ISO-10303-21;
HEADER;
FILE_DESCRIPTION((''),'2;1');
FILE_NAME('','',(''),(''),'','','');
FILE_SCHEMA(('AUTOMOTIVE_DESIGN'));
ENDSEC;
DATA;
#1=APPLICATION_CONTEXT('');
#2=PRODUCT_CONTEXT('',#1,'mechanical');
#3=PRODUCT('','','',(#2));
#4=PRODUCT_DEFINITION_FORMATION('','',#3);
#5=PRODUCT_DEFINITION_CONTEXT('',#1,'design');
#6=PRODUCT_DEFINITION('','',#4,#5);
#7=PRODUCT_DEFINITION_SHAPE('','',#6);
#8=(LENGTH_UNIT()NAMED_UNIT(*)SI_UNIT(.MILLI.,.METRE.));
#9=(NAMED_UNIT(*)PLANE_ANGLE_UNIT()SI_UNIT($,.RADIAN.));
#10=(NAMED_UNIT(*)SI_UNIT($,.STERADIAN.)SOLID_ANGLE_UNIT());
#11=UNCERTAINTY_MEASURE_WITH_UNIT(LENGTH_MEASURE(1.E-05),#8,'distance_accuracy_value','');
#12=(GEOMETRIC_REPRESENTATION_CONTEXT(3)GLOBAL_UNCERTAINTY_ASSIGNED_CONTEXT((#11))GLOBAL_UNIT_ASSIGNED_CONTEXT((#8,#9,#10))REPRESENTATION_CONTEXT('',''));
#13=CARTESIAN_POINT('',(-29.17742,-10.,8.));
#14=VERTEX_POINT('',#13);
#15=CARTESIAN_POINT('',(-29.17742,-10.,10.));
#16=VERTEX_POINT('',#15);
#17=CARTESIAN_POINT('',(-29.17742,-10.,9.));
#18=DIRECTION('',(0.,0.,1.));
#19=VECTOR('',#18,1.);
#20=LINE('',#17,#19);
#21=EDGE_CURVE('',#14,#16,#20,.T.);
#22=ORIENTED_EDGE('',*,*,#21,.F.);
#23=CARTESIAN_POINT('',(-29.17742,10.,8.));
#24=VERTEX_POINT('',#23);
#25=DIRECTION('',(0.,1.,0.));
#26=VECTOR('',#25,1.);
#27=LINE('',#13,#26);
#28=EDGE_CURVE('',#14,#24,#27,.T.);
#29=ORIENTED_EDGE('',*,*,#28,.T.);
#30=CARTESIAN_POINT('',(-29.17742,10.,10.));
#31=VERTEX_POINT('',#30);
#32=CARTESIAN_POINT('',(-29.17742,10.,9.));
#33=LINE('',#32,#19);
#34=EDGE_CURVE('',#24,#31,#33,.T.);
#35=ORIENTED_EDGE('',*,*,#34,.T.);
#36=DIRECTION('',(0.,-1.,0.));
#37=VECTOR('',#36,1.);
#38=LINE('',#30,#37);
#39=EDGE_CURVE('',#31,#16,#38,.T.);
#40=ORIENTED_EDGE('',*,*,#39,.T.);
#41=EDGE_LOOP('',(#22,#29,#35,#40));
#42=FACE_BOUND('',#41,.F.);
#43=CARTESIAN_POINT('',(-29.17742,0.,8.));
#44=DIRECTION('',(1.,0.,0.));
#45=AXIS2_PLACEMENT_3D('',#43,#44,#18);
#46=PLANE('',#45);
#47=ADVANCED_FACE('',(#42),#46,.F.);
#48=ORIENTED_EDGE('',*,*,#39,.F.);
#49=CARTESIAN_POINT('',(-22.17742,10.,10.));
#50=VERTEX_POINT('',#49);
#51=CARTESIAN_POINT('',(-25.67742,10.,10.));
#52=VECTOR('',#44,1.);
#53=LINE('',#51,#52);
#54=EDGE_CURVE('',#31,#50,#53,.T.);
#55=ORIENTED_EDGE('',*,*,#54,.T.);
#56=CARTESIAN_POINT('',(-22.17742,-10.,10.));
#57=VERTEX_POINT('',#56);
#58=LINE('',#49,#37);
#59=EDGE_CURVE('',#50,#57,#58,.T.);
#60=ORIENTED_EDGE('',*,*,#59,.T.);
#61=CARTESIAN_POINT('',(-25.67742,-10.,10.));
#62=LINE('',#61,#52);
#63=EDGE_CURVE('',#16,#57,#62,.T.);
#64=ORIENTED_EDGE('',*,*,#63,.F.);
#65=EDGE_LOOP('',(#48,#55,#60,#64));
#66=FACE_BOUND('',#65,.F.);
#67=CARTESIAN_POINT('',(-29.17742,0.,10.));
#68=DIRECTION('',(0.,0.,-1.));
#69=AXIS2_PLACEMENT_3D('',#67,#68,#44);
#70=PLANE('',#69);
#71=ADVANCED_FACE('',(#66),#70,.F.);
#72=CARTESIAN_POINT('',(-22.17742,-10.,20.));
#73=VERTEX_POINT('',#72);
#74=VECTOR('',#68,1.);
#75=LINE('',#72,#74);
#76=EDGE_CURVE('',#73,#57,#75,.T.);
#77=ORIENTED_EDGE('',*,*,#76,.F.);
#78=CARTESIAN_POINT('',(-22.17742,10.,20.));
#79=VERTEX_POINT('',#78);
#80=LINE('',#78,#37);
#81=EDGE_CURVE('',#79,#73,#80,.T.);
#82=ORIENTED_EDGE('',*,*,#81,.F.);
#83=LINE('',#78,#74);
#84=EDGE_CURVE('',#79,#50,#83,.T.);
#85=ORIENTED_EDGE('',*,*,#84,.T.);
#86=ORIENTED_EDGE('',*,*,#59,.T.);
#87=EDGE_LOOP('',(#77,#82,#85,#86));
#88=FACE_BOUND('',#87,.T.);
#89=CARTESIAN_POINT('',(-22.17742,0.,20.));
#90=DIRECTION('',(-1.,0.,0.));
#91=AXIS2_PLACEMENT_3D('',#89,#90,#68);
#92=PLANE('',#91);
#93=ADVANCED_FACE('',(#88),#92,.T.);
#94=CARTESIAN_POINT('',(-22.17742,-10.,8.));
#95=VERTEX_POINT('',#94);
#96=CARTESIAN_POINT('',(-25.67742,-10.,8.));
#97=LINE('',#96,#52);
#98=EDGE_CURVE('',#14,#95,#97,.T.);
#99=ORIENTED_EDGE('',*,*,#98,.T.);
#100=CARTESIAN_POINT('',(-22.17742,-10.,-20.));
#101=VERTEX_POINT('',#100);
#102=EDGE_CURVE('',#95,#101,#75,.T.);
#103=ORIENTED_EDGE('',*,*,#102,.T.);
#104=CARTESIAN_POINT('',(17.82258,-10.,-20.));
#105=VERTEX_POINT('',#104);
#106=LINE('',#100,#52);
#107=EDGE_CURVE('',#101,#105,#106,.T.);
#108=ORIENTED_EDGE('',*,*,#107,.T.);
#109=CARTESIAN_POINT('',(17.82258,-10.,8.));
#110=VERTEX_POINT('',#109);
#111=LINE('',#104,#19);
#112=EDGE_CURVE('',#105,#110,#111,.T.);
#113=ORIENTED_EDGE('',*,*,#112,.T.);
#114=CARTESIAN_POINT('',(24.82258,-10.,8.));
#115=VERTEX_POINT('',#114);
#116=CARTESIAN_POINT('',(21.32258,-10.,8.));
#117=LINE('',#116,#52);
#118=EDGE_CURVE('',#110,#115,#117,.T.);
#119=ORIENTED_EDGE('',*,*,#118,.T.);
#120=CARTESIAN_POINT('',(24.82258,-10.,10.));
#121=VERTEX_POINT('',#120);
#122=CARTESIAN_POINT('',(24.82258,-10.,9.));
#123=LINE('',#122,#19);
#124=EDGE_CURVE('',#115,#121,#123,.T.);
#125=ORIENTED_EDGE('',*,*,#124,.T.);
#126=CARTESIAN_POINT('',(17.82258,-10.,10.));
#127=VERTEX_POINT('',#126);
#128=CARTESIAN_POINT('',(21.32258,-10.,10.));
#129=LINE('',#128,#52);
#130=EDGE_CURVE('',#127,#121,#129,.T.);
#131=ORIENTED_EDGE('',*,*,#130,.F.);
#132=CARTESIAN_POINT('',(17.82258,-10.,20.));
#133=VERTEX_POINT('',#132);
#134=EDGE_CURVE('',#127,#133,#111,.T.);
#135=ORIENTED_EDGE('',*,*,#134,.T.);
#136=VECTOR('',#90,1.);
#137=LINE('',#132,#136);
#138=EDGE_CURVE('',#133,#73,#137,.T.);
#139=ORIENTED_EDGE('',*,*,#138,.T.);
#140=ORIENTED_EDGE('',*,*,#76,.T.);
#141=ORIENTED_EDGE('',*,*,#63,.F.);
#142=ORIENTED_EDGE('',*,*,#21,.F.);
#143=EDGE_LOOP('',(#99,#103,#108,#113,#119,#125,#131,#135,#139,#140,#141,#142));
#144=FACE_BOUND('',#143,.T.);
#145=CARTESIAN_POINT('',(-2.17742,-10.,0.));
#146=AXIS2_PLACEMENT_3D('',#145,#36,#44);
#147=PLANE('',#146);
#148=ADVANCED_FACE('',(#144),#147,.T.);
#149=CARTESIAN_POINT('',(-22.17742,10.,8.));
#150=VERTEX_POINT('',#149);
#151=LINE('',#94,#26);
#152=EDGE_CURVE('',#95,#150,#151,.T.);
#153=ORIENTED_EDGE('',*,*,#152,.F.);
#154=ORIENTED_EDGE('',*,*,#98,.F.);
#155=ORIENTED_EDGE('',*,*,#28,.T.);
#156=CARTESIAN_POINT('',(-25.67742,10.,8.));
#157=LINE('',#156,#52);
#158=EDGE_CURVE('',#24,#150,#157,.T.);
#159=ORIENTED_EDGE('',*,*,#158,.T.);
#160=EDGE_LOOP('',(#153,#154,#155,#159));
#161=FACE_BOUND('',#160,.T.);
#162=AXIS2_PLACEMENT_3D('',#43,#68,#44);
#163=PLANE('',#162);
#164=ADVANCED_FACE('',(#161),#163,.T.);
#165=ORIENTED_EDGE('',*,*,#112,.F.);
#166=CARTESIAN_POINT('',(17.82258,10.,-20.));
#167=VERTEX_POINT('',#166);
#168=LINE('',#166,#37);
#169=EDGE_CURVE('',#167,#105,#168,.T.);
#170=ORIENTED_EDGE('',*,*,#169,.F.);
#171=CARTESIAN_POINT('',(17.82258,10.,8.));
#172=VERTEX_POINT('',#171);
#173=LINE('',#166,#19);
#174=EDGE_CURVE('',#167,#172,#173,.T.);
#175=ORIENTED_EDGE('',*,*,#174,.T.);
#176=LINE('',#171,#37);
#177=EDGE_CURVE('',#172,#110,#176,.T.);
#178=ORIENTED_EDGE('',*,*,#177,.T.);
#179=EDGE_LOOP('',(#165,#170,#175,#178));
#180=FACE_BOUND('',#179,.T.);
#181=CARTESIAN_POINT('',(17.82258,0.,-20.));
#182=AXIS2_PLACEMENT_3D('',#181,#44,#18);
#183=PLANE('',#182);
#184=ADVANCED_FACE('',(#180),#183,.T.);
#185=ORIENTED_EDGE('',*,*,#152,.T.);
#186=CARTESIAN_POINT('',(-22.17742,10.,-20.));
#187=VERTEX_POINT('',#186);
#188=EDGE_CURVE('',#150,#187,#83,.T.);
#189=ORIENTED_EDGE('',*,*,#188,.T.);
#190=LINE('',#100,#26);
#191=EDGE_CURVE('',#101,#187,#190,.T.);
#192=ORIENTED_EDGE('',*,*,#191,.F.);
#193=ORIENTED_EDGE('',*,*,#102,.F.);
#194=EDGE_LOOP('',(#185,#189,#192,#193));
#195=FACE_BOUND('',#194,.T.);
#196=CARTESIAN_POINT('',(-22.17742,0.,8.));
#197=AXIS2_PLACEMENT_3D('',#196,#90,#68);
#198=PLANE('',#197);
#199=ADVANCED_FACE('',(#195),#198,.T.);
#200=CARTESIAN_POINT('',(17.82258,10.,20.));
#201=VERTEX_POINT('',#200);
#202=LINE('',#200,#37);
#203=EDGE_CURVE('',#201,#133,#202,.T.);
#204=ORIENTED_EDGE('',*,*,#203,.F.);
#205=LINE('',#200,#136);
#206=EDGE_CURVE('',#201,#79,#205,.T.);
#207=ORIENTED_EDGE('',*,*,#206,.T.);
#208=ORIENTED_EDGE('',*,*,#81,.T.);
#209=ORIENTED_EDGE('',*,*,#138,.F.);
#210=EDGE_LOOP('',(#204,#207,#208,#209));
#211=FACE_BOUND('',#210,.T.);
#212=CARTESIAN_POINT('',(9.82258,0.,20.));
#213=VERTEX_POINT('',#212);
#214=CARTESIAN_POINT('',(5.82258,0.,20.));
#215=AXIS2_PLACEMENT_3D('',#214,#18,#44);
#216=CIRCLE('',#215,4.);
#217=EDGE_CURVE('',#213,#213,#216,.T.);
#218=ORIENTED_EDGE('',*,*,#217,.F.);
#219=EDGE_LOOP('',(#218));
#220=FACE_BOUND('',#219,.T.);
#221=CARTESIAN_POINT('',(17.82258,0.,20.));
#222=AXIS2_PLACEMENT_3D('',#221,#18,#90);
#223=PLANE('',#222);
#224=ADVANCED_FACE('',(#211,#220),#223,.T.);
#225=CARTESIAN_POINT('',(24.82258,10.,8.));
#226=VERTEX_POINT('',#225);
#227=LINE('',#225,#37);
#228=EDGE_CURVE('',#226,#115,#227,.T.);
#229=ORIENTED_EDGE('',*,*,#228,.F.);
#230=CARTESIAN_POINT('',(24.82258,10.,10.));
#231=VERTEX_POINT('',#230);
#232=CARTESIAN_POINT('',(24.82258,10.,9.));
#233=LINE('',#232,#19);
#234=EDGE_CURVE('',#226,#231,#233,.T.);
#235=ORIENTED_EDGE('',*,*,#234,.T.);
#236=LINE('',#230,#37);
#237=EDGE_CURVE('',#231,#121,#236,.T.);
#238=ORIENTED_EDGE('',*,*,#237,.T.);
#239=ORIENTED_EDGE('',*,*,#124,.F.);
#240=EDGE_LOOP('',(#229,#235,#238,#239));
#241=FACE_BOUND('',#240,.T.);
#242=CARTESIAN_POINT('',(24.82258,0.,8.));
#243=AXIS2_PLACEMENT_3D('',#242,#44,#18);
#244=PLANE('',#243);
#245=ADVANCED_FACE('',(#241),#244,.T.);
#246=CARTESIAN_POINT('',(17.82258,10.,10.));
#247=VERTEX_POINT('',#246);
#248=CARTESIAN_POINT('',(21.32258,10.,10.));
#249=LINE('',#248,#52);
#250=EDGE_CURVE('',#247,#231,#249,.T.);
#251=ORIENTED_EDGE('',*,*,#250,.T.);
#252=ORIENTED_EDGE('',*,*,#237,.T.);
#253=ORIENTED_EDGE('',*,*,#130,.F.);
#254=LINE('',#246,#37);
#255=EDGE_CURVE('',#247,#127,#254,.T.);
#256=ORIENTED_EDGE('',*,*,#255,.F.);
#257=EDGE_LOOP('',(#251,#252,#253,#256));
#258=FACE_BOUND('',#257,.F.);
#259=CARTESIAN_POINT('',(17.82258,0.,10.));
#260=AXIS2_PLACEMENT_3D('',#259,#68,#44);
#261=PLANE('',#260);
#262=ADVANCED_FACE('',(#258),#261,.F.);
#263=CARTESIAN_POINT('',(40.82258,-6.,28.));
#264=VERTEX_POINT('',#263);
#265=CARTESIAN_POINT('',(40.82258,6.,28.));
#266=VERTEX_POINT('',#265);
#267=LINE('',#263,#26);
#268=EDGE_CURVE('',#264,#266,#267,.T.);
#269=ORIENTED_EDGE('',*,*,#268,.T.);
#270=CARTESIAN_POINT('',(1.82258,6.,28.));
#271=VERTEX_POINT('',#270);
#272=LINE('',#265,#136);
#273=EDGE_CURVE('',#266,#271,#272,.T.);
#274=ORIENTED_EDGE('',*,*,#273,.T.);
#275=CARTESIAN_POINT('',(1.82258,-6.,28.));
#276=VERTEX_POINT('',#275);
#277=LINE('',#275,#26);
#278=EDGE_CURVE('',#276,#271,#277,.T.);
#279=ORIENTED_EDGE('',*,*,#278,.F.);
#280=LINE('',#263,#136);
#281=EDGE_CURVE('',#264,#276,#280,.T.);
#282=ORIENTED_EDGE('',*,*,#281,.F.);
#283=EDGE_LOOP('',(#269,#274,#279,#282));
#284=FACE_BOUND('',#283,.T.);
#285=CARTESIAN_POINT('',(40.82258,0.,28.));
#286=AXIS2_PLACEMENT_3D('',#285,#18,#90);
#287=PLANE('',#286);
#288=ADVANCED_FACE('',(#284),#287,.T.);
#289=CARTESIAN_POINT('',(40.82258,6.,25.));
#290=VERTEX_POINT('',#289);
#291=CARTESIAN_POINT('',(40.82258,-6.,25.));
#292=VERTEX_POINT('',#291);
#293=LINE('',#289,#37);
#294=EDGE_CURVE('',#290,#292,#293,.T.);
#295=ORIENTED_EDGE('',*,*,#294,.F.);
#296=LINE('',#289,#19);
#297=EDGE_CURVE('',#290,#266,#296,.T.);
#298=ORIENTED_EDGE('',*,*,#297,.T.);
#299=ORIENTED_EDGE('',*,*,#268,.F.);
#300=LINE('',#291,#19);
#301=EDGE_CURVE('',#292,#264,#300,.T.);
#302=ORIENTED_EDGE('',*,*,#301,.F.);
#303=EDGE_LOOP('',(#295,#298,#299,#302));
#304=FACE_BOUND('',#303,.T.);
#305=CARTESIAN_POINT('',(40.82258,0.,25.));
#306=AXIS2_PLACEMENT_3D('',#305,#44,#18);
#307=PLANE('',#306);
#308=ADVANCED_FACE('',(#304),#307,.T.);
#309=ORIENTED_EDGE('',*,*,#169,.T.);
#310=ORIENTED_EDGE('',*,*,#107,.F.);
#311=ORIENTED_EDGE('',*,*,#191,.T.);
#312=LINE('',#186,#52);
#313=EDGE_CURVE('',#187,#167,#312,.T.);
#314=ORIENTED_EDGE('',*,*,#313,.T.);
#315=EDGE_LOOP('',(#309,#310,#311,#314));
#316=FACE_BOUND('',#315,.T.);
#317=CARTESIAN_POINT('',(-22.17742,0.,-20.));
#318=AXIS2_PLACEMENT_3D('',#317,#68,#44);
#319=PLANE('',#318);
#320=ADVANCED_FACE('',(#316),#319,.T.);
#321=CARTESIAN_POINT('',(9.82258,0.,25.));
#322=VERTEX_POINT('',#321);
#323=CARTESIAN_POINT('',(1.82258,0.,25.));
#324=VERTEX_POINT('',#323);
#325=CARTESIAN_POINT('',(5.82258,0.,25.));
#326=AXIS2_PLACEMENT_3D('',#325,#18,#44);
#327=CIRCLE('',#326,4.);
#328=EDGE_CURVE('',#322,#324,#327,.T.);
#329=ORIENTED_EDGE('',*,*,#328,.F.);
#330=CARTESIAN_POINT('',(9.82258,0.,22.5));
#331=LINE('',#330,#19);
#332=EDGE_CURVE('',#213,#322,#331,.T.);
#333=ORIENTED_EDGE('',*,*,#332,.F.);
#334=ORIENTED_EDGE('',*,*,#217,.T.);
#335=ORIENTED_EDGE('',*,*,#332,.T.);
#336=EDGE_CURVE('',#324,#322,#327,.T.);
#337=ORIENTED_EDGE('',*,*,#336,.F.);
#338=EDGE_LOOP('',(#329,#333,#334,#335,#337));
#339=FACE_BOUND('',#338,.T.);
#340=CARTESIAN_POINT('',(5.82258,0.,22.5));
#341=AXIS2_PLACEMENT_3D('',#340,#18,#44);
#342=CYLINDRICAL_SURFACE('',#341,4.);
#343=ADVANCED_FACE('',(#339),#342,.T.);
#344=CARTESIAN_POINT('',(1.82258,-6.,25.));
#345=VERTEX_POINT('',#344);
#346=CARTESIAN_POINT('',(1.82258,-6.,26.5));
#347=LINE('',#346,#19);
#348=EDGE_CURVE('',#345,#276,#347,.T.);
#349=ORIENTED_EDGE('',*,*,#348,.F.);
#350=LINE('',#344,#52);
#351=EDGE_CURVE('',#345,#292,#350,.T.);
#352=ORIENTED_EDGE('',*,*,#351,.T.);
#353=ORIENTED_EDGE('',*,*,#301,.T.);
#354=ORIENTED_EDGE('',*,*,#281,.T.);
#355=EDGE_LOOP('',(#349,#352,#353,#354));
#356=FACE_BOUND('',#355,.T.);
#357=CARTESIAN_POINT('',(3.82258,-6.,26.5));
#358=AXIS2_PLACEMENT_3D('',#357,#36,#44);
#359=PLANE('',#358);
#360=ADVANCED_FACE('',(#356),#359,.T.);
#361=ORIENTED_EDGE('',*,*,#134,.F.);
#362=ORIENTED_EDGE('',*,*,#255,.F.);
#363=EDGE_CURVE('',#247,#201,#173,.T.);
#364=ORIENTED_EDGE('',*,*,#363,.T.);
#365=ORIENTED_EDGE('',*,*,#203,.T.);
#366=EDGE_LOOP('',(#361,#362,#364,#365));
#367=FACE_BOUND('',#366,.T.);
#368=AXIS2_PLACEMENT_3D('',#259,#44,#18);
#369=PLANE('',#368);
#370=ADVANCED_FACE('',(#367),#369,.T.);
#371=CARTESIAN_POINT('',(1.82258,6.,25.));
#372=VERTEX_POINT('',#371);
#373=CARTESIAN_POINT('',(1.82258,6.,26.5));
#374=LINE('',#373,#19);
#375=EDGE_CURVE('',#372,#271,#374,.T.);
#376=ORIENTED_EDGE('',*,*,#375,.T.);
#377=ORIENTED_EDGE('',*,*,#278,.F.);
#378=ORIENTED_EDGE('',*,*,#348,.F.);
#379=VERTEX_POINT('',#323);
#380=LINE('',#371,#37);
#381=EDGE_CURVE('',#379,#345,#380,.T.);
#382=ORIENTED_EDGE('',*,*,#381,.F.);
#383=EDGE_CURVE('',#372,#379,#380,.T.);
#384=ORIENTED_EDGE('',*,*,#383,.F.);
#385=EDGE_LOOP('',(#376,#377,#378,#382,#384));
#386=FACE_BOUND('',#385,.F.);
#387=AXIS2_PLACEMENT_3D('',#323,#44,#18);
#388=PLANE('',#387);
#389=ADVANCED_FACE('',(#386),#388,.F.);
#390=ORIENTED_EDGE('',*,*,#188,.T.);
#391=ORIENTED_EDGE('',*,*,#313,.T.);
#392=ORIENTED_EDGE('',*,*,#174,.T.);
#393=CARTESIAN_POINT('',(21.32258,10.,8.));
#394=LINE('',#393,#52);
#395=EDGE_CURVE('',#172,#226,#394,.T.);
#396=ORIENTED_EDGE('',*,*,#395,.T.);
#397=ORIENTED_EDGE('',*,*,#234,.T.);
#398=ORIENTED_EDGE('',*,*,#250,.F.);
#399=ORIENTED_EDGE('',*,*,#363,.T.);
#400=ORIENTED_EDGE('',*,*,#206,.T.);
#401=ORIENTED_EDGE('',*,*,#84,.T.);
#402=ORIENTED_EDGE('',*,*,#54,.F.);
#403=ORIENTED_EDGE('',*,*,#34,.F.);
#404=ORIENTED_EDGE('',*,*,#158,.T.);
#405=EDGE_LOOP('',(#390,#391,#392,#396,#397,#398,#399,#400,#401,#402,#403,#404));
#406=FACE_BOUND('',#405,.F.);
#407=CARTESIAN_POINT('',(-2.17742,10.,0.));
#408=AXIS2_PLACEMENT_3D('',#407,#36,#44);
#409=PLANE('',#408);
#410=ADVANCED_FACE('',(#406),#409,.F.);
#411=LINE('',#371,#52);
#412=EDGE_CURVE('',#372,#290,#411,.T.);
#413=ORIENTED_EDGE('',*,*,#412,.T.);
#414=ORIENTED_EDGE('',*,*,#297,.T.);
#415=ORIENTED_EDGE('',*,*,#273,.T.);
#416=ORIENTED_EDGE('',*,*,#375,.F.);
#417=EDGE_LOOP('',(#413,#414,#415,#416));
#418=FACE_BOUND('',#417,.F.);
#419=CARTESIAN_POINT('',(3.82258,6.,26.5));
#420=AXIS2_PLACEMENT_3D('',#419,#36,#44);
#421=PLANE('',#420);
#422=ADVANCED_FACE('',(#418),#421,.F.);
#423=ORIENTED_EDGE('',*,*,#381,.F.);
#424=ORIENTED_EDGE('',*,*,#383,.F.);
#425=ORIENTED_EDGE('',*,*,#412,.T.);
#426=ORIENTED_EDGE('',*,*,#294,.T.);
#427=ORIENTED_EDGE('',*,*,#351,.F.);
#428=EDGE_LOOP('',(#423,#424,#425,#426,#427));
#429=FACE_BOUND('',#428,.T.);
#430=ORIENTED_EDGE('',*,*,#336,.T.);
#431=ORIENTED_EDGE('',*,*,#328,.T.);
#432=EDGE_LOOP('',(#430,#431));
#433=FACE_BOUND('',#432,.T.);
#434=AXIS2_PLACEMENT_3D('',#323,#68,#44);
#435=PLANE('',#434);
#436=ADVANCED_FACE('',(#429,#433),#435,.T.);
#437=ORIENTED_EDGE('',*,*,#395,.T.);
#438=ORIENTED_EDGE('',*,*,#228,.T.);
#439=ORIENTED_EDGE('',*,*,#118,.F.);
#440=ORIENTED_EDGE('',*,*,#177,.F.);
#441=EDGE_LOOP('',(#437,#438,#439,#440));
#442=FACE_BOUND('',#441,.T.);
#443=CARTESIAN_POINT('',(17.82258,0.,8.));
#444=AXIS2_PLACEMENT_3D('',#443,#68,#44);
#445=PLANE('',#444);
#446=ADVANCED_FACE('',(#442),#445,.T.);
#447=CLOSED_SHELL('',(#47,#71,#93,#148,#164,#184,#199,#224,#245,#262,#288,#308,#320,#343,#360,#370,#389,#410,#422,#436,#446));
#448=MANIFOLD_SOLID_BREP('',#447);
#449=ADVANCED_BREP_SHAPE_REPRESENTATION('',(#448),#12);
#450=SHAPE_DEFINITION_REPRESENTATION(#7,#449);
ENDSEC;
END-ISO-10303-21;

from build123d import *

# Parameters (mm, degrees)
F0_W     = 7
F0_H     = 2
F1_DEPTH = 10
F0_W_2   = 4
F0_H_2   = 5
F0_H_3   = 3
F3_DEPTH = 6


with BuildPart() as f1:
    # F0 (on Front) → F1 (new body, symmetric)
    with BuildSketch(Plane.XZ):
        Polygon((-22.17742, -20), (17.82258, -20), (17.82258, 8), (17.82258, 10), (17.82258, 20), (9.82258, 20), (5.82258, 20), (-22.17742, 20), (-22.17742, 10), (-22.17742, 8), align=None)
        with Locations((-25.67742, 9)):
            Rectangle(F0_W, F0_H)
        with Locations((21.32258, 9)):
            Rectangle(F0_W, F0_H)
    extrude(amount=F1_DEPTH, both=True)

    # F0 (on Front) → F2 (revolve)
    with BuildSketch(Plane.XZ):
        with Locations((7.82258, 22.5)):
            Rectangle(F0_W_2, F0_H_2)
    revolve(axis=Axis((5.82258, 0, 22.5), (0, 0, 1)))

    # F0 (on Front) → F3 (join, symmetric)
    with BuildSketch(Plane.XZ):
        with Locations((3.82258, 26.5)):
            Rectangle(F0_W_2, F0_H_3)
        Polygon((5.82258, 25), (9.82258, 25), (40.82258, 25), (40.82258, 28), (5.82258, 28), align=None)
    extrude(amount=F3_DEPTH, both=True)


solid = f1.part
